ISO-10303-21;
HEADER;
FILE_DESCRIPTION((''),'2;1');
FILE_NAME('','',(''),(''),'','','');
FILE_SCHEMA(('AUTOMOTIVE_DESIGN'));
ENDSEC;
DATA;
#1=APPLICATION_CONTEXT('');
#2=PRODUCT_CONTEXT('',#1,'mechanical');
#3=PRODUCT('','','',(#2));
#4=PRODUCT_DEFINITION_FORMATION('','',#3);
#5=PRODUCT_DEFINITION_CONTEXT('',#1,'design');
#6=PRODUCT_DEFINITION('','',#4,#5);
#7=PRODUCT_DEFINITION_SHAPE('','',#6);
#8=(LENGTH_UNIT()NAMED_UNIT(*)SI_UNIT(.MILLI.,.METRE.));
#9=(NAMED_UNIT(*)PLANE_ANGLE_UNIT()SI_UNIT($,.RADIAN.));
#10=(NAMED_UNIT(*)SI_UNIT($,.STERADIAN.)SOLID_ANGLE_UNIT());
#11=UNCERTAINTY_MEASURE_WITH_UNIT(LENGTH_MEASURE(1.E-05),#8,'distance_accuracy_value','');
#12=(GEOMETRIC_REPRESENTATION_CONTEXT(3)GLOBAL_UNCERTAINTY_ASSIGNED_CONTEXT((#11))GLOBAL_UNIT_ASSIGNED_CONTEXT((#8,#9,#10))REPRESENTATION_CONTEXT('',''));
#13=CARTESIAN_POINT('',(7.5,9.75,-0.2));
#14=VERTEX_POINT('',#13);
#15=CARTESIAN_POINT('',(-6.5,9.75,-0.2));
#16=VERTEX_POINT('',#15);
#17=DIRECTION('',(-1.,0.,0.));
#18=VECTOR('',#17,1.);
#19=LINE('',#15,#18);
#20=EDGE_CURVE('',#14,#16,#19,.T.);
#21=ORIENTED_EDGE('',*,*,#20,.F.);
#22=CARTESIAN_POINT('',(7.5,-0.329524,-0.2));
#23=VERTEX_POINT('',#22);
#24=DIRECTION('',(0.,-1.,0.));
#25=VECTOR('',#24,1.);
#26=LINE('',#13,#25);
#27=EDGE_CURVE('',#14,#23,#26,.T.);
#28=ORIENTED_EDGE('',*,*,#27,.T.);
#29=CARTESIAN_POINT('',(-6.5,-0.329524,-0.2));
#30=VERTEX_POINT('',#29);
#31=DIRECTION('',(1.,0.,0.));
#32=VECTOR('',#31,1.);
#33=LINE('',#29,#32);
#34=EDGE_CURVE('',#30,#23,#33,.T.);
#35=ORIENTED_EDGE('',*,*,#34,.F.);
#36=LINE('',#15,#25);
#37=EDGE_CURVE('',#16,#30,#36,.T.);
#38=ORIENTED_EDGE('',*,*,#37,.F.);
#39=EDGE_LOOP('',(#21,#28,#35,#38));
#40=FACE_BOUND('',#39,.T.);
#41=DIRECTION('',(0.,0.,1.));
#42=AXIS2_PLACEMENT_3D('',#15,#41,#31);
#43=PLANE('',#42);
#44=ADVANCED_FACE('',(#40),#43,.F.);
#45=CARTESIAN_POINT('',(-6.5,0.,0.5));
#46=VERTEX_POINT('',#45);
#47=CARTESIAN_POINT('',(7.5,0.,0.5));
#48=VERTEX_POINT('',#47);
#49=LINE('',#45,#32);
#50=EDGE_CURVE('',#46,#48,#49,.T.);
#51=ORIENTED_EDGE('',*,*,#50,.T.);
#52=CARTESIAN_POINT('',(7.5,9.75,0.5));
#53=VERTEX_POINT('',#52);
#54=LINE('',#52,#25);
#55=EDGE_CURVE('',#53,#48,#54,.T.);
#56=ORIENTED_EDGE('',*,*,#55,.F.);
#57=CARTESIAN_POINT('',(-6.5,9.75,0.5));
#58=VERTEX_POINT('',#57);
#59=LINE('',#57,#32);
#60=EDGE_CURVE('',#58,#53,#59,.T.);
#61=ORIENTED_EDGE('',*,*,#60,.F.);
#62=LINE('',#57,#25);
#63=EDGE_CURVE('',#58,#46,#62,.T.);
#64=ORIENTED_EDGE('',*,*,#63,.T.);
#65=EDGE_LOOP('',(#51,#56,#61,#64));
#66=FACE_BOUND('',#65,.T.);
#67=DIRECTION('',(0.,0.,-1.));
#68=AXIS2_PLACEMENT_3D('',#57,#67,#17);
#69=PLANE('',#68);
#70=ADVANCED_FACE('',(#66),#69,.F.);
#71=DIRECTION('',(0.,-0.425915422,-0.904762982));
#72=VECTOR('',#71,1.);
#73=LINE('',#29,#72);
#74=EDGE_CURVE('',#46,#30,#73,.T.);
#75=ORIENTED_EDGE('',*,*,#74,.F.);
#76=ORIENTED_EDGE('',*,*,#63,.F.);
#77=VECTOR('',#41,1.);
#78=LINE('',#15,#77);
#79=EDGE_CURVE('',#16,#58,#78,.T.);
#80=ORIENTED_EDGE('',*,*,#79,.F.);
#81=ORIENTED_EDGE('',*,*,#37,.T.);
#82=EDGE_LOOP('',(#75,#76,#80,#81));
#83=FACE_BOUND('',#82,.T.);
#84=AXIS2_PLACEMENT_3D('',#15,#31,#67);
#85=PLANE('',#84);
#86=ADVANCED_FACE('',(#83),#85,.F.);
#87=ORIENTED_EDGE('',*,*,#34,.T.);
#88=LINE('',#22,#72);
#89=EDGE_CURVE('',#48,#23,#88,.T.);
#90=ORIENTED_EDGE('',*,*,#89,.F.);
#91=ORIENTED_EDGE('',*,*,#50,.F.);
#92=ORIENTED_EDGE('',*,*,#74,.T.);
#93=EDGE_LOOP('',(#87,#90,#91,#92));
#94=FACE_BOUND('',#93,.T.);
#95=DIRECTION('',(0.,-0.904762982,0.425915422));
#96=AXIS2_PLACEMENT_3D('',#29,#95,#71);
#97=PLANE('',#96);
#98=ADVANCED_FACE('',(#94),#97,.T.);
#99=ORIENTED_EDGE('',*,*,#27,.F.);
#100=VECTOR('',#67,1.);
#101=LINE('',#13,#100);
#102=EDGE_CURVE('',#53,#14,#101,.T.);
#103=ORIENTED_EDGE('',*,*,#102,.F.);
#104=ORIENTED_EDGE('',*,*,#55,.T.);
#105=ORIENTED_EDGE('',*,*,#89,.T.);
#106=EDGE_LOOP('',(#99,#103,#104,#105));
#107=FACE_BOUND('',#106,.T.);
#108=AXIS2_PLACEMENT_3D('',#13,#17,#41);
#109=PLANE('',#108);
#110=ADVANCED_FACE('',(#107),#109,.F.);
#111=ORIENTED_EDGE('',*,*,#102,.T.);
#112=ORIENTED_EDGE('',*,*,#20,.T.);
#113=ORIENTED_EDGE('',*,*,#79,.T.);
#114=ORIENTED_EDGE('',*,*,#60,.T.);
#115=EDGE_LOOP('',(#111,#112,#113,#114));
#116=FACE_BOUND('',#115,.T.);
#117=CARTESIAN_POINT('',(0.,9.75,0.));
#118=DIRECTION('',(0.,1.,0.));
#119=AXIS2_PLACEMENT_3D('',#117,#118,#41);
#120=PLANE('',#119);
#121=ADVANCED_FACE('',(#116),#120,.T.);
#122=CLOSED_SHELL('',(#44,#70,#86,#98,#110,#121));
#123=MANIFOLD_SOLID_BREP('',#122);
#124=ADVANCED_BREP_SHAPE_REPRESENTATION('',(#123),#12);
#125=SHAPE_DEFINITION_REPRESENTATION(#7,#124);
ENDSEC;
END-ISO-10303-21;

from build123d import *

# Parameters (mm, degrees)
SKETCH1_W           = 14
SKETCH1_H           = 0.7
BOSS_EXTRUDE1_DEPTH = 9.75
BOSS_EXTRUDE3_DEPTH = 14


with BuildPart() as part:
    # Sketch1 → Boss-Extrude1 (new body)
    with BuildSketch(Plane(origin=(0, 0, 0), x_dir=(1, 0, 0), z_dir=(0, 1, 0))):
        with Locations((0.5, -0.15)):
            Rectangle(SKETCH1_W, SKETCH1_H)
    extrude(amount=BOSS_EXTRUDE1_DEPTH)

    # Sketch4 → Boss-Extrude3 (add)
    with BuildSketch(Plane(origin=(7.5, 0, 0), x_dir=(0, 0, -1), z_dir=(1, 0, 0))):
        Polygon((-0.5, 0), (0.2, 0), (0.2, -0.329523645), align=None)
    extrude(amount=-BOSS_EXTRUDE3_DEPTH)


solid = part.part
